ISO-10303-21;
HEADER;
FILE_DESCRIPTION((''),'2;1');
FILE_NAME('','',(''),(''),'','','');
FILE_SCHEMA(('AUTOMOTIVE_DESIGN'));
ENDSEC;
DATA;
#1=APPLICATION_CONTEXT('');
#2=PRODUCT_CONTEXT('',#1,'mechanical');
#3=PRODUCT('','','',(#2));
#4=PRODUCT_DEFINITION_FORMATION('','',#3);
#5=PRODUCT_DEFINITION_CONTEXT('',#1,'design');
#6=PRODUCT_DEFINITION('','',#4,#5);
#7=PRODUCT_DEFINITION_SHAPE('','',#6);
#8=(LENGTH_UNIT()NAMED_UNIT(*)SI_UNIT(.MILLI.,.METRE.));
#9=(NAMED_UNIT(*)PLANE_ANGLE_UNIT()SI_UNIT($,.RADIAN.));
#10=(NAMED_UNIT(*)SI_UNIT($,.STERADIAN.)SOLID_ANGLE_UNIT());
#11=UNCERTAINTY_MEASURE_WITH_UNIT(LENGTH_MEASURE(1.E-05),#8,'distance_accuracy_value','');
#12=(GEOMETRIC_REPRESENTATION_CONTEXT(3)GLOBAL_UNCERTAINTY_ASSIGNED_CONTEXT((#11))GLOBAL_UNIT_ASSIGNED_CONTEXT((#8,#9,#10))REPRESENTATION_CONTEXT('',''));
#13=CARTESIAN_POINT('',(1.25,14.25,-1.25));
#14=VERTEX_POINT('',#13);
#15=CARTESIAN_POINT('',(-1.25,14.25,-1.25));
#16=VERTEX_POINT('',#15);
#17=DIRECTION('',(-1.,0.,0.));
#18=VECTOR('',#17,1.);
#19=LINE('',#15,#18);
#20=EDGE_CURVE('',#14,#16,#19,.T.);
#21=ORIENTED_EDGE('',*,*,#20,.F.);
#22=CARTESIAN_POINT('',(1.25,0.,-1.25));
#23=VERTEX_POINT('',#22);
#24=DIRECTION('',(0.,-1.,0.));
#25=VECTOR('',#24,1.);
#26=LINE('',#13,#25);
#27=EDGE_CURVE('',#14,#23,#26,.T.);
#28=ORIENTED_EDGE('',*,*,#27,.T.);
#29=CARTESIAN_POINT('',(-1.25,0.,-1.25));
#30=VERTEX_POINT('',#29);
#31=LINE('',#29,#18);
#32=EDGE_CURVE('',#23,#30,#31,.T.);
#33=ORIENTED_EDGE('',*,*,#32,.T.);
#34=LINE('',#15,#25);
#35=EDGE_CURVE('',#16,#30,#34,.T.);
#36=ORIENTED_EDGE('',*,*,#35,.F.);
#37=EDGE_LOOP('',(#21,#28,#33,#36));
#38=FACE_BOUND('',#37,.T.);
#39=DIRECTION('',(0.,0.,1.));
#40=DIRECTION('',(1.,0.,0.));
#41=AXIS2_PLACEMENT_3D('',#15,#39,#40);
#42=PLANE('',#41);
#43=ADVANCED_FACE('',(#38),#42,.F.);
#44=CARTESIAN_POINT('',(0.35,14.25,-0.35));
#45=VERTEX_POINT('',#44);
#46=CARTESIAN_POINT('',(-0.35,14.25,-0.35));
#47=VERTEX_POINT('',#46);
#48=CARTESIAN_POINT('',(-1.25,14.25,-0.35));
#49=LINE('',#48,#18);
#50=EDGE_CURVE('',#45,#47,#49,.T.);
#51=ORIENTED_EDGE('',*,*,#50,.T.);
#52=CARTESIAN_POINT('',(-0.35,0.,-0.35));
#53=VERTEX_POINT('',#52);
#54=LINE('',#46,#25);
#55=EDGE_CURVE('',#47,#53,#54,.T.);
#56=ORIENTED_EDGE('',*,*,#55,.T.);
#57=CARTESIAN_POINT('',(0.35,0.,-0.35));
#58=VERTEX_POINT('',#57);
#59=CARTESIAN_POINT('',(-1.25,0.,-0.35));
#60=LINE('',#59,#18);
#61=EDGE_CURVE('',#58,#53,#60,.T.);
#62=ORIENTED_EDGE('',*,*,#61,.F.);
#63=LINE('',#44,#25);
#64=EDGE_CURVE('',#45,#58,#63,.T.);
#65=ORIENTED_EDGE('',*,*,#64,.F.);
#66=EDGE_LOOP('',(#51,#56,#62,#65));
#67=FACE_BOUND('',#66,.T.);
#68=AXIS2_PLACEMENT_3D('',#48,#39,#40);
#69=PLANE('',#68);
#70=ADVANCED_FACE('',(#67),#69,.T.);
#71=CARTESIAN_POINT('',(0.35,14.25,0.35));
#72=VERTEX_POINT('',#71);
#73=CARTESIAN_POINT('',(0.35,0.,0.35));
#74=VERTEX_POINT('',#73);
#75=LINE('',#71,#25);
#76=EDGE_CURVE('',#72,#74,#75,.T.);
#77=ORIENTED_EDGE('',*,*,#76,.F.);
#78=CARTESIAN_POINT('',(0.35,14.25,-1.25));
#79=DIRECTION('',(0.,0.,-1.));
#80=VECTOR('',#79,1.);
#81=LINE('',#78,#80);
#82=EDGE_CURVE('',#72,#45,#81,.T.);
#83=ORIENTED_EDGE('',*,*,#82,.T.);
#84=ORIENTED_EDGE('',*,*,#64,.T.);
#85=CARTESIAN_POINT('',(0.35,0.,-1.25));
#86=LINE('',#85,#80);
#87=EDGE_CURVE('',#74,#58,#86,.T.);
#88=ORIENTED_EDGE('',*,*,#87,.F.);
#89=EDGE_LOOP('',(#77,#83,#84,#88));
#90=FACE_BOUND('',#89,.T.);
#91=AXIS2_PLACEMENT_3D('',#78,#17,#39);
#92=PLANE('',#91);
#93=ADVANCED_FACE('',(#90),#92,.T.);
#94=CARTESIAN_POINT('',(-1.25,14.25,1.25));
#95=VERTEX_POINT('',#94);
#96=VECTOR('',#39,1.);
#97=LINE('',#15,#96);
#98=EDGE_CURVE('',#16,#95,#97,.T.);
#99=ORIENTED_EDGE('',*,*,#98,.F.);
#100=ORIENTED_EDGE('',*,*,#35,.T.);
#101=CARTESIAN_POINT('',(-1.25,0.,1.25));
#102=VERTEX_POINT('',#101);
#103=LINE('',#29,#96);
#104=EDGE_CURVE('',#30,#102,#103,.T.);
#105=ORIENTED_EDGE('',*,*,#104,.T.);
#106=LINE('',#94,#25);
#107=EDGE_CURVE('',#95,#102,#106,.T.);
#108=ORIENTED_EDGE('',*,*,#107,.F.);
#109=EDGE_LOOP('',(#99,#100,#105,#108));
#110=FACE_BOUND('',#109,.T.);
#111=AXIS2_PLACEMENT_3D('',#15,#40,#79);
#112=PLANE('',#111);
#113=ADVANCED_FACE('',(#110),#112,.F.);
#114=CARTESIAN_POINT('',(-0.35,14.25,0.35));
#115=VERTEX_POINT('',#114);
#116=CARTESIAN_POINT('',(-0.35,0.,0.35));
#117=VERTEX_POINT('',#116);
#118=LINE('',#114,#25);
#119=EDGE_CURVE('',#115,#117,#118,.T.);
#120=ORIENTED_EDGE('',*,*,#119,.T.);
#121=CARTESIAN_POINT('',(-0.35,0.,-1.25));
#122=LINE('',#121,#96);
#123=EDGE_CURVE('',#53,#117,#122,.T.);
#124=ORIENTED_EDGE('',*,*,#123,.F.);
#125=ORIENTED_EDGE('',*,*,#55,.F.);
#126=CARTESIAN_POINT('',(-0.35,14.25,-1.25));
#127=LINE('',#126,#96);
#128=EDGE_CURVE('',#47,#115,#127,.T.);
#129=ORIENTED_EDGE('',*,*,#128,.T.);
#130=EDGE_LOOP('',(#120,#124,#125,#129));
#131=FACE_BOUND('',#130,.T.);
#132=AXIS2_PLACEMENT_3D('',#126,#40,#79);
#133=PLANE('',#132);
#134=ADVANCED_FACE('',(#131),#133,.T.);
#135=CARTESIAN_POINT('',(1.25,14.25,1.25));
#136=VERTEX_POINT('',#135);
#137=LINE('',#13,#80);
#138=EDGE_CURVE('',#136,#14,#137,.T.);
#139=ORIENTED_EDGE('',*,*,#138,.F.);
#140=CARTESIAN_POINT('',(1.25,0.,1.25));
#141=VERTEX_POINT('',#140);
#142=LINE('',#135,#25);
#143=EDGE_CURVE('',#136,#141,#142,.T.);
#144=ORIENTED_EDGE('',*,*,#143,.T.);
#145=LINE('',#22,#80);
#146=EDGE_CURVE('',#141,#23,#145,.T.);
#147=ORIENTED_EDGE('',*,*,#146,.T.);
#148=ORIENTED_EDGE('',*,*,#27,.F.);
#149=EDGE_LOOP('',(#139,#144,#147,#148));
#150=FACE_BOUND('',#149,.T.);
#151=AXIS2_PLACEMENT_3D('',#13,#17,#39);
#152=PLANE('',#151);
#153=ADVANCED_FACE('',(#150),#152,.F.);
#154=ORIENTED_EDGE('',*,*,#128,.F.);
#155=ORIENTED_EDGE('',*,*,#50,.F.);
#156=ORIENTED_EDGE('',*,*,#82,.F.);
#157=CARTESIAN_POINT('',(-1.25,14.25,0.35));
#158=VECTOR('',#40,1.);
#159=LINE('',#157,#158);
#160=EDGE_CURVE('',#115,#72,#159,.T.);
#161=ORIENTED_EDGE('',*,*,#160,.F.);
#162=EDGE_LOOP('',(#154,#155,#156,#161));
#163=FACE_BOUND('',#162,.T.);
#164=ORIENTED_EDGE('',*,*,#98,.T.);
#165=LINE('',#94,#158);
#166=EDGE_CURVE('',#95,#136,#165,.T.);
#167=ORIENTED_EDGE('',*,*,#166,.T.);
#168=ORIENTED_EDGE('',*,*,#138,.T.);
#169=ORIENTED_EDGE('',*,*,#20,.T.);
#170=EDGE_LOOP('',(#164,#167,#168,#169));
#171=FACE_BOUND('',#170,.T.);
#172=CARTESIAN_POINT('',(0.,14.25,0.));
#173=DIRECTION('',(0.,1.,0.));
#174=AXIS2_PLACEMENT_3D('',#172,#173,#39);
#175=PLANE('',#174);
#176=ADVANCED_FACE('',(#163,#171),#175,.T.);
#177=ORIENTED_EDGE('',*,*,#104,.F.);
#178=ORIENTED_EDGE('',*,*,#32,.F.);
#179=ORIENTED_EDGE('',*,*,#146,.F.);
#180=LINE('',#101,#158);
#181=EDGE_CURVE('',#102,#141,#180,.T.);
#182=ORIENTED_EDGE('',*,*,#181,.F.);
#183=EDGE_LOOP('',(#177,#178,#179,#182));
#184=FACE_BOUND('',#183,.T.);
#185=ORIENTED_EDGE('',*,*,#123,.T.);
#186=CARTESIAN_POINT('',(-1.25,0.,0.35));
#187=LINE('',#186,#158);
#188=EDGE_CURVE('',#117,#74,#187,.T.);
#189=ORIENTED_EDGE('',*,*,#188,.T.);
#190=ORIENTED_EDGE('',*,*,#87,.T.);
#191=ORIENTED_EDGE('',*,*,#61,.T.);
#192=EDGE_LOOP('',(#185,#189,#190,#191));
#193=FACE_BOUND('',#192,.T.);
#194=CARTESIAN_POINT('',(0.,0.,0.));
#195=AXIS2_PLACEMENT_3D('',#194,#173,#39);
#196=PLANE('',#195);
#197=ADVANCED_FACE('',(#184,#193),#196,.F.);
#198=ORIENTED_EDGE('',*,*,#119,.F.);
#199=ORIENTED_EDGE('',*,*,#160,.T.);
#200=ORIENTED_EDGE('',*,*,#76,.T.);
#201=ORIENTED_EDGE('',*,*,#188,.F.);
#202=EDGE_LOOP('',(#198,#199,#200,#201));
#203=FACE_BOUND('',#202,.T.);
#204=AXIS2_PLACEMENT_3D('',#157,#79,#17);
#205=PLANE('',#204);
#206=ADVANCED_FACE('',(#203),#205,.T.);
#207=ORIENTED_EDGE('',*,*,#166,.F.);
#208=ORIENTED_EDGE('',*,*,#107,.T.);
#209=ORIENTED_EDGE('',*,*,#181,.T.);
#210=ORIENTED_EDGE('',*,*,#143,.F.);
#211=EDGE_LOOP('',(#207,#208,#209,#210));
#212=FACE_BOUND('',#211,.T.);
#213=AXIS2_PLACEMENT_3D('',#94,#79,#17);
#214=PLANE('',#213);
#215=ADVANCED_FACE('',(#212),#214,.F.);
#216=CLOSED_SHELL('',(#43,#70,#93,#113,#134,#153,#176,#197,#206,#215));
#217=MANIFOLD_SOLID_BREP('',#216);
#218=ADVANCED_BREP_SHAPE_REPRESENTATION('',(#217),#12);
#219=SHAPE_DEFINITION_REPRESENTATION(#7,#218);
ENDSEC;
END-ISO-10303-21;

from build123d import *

# Parameters (mm, degrees)
SKETCH1_W           = 2.5
SKETCH1_H           = 2.5
SKETCH1_W_2         = 0.7
SKETCH1_H_2         = 0.7
EXTRUDE_THIN1_DEPTH = 14.25


with BuildPart() as part:
    # Sketch1 → Extrude-Thin1 (new body)
    with BuildSketch(Plane(origin=(0, 0, 0), x_dir=(1, 0, 0), z_dir=(0, 1, 0))):
        Rectangle(SKETCH1_W, SKETCH1_H)
        Rectangle(SKETCH1_W_2, SKETCH1_H_2, mode=Mode.SUBTRACT)
    extrude(amount=EXTRUDE_THIN1_DEPTH)


solid = part.part
